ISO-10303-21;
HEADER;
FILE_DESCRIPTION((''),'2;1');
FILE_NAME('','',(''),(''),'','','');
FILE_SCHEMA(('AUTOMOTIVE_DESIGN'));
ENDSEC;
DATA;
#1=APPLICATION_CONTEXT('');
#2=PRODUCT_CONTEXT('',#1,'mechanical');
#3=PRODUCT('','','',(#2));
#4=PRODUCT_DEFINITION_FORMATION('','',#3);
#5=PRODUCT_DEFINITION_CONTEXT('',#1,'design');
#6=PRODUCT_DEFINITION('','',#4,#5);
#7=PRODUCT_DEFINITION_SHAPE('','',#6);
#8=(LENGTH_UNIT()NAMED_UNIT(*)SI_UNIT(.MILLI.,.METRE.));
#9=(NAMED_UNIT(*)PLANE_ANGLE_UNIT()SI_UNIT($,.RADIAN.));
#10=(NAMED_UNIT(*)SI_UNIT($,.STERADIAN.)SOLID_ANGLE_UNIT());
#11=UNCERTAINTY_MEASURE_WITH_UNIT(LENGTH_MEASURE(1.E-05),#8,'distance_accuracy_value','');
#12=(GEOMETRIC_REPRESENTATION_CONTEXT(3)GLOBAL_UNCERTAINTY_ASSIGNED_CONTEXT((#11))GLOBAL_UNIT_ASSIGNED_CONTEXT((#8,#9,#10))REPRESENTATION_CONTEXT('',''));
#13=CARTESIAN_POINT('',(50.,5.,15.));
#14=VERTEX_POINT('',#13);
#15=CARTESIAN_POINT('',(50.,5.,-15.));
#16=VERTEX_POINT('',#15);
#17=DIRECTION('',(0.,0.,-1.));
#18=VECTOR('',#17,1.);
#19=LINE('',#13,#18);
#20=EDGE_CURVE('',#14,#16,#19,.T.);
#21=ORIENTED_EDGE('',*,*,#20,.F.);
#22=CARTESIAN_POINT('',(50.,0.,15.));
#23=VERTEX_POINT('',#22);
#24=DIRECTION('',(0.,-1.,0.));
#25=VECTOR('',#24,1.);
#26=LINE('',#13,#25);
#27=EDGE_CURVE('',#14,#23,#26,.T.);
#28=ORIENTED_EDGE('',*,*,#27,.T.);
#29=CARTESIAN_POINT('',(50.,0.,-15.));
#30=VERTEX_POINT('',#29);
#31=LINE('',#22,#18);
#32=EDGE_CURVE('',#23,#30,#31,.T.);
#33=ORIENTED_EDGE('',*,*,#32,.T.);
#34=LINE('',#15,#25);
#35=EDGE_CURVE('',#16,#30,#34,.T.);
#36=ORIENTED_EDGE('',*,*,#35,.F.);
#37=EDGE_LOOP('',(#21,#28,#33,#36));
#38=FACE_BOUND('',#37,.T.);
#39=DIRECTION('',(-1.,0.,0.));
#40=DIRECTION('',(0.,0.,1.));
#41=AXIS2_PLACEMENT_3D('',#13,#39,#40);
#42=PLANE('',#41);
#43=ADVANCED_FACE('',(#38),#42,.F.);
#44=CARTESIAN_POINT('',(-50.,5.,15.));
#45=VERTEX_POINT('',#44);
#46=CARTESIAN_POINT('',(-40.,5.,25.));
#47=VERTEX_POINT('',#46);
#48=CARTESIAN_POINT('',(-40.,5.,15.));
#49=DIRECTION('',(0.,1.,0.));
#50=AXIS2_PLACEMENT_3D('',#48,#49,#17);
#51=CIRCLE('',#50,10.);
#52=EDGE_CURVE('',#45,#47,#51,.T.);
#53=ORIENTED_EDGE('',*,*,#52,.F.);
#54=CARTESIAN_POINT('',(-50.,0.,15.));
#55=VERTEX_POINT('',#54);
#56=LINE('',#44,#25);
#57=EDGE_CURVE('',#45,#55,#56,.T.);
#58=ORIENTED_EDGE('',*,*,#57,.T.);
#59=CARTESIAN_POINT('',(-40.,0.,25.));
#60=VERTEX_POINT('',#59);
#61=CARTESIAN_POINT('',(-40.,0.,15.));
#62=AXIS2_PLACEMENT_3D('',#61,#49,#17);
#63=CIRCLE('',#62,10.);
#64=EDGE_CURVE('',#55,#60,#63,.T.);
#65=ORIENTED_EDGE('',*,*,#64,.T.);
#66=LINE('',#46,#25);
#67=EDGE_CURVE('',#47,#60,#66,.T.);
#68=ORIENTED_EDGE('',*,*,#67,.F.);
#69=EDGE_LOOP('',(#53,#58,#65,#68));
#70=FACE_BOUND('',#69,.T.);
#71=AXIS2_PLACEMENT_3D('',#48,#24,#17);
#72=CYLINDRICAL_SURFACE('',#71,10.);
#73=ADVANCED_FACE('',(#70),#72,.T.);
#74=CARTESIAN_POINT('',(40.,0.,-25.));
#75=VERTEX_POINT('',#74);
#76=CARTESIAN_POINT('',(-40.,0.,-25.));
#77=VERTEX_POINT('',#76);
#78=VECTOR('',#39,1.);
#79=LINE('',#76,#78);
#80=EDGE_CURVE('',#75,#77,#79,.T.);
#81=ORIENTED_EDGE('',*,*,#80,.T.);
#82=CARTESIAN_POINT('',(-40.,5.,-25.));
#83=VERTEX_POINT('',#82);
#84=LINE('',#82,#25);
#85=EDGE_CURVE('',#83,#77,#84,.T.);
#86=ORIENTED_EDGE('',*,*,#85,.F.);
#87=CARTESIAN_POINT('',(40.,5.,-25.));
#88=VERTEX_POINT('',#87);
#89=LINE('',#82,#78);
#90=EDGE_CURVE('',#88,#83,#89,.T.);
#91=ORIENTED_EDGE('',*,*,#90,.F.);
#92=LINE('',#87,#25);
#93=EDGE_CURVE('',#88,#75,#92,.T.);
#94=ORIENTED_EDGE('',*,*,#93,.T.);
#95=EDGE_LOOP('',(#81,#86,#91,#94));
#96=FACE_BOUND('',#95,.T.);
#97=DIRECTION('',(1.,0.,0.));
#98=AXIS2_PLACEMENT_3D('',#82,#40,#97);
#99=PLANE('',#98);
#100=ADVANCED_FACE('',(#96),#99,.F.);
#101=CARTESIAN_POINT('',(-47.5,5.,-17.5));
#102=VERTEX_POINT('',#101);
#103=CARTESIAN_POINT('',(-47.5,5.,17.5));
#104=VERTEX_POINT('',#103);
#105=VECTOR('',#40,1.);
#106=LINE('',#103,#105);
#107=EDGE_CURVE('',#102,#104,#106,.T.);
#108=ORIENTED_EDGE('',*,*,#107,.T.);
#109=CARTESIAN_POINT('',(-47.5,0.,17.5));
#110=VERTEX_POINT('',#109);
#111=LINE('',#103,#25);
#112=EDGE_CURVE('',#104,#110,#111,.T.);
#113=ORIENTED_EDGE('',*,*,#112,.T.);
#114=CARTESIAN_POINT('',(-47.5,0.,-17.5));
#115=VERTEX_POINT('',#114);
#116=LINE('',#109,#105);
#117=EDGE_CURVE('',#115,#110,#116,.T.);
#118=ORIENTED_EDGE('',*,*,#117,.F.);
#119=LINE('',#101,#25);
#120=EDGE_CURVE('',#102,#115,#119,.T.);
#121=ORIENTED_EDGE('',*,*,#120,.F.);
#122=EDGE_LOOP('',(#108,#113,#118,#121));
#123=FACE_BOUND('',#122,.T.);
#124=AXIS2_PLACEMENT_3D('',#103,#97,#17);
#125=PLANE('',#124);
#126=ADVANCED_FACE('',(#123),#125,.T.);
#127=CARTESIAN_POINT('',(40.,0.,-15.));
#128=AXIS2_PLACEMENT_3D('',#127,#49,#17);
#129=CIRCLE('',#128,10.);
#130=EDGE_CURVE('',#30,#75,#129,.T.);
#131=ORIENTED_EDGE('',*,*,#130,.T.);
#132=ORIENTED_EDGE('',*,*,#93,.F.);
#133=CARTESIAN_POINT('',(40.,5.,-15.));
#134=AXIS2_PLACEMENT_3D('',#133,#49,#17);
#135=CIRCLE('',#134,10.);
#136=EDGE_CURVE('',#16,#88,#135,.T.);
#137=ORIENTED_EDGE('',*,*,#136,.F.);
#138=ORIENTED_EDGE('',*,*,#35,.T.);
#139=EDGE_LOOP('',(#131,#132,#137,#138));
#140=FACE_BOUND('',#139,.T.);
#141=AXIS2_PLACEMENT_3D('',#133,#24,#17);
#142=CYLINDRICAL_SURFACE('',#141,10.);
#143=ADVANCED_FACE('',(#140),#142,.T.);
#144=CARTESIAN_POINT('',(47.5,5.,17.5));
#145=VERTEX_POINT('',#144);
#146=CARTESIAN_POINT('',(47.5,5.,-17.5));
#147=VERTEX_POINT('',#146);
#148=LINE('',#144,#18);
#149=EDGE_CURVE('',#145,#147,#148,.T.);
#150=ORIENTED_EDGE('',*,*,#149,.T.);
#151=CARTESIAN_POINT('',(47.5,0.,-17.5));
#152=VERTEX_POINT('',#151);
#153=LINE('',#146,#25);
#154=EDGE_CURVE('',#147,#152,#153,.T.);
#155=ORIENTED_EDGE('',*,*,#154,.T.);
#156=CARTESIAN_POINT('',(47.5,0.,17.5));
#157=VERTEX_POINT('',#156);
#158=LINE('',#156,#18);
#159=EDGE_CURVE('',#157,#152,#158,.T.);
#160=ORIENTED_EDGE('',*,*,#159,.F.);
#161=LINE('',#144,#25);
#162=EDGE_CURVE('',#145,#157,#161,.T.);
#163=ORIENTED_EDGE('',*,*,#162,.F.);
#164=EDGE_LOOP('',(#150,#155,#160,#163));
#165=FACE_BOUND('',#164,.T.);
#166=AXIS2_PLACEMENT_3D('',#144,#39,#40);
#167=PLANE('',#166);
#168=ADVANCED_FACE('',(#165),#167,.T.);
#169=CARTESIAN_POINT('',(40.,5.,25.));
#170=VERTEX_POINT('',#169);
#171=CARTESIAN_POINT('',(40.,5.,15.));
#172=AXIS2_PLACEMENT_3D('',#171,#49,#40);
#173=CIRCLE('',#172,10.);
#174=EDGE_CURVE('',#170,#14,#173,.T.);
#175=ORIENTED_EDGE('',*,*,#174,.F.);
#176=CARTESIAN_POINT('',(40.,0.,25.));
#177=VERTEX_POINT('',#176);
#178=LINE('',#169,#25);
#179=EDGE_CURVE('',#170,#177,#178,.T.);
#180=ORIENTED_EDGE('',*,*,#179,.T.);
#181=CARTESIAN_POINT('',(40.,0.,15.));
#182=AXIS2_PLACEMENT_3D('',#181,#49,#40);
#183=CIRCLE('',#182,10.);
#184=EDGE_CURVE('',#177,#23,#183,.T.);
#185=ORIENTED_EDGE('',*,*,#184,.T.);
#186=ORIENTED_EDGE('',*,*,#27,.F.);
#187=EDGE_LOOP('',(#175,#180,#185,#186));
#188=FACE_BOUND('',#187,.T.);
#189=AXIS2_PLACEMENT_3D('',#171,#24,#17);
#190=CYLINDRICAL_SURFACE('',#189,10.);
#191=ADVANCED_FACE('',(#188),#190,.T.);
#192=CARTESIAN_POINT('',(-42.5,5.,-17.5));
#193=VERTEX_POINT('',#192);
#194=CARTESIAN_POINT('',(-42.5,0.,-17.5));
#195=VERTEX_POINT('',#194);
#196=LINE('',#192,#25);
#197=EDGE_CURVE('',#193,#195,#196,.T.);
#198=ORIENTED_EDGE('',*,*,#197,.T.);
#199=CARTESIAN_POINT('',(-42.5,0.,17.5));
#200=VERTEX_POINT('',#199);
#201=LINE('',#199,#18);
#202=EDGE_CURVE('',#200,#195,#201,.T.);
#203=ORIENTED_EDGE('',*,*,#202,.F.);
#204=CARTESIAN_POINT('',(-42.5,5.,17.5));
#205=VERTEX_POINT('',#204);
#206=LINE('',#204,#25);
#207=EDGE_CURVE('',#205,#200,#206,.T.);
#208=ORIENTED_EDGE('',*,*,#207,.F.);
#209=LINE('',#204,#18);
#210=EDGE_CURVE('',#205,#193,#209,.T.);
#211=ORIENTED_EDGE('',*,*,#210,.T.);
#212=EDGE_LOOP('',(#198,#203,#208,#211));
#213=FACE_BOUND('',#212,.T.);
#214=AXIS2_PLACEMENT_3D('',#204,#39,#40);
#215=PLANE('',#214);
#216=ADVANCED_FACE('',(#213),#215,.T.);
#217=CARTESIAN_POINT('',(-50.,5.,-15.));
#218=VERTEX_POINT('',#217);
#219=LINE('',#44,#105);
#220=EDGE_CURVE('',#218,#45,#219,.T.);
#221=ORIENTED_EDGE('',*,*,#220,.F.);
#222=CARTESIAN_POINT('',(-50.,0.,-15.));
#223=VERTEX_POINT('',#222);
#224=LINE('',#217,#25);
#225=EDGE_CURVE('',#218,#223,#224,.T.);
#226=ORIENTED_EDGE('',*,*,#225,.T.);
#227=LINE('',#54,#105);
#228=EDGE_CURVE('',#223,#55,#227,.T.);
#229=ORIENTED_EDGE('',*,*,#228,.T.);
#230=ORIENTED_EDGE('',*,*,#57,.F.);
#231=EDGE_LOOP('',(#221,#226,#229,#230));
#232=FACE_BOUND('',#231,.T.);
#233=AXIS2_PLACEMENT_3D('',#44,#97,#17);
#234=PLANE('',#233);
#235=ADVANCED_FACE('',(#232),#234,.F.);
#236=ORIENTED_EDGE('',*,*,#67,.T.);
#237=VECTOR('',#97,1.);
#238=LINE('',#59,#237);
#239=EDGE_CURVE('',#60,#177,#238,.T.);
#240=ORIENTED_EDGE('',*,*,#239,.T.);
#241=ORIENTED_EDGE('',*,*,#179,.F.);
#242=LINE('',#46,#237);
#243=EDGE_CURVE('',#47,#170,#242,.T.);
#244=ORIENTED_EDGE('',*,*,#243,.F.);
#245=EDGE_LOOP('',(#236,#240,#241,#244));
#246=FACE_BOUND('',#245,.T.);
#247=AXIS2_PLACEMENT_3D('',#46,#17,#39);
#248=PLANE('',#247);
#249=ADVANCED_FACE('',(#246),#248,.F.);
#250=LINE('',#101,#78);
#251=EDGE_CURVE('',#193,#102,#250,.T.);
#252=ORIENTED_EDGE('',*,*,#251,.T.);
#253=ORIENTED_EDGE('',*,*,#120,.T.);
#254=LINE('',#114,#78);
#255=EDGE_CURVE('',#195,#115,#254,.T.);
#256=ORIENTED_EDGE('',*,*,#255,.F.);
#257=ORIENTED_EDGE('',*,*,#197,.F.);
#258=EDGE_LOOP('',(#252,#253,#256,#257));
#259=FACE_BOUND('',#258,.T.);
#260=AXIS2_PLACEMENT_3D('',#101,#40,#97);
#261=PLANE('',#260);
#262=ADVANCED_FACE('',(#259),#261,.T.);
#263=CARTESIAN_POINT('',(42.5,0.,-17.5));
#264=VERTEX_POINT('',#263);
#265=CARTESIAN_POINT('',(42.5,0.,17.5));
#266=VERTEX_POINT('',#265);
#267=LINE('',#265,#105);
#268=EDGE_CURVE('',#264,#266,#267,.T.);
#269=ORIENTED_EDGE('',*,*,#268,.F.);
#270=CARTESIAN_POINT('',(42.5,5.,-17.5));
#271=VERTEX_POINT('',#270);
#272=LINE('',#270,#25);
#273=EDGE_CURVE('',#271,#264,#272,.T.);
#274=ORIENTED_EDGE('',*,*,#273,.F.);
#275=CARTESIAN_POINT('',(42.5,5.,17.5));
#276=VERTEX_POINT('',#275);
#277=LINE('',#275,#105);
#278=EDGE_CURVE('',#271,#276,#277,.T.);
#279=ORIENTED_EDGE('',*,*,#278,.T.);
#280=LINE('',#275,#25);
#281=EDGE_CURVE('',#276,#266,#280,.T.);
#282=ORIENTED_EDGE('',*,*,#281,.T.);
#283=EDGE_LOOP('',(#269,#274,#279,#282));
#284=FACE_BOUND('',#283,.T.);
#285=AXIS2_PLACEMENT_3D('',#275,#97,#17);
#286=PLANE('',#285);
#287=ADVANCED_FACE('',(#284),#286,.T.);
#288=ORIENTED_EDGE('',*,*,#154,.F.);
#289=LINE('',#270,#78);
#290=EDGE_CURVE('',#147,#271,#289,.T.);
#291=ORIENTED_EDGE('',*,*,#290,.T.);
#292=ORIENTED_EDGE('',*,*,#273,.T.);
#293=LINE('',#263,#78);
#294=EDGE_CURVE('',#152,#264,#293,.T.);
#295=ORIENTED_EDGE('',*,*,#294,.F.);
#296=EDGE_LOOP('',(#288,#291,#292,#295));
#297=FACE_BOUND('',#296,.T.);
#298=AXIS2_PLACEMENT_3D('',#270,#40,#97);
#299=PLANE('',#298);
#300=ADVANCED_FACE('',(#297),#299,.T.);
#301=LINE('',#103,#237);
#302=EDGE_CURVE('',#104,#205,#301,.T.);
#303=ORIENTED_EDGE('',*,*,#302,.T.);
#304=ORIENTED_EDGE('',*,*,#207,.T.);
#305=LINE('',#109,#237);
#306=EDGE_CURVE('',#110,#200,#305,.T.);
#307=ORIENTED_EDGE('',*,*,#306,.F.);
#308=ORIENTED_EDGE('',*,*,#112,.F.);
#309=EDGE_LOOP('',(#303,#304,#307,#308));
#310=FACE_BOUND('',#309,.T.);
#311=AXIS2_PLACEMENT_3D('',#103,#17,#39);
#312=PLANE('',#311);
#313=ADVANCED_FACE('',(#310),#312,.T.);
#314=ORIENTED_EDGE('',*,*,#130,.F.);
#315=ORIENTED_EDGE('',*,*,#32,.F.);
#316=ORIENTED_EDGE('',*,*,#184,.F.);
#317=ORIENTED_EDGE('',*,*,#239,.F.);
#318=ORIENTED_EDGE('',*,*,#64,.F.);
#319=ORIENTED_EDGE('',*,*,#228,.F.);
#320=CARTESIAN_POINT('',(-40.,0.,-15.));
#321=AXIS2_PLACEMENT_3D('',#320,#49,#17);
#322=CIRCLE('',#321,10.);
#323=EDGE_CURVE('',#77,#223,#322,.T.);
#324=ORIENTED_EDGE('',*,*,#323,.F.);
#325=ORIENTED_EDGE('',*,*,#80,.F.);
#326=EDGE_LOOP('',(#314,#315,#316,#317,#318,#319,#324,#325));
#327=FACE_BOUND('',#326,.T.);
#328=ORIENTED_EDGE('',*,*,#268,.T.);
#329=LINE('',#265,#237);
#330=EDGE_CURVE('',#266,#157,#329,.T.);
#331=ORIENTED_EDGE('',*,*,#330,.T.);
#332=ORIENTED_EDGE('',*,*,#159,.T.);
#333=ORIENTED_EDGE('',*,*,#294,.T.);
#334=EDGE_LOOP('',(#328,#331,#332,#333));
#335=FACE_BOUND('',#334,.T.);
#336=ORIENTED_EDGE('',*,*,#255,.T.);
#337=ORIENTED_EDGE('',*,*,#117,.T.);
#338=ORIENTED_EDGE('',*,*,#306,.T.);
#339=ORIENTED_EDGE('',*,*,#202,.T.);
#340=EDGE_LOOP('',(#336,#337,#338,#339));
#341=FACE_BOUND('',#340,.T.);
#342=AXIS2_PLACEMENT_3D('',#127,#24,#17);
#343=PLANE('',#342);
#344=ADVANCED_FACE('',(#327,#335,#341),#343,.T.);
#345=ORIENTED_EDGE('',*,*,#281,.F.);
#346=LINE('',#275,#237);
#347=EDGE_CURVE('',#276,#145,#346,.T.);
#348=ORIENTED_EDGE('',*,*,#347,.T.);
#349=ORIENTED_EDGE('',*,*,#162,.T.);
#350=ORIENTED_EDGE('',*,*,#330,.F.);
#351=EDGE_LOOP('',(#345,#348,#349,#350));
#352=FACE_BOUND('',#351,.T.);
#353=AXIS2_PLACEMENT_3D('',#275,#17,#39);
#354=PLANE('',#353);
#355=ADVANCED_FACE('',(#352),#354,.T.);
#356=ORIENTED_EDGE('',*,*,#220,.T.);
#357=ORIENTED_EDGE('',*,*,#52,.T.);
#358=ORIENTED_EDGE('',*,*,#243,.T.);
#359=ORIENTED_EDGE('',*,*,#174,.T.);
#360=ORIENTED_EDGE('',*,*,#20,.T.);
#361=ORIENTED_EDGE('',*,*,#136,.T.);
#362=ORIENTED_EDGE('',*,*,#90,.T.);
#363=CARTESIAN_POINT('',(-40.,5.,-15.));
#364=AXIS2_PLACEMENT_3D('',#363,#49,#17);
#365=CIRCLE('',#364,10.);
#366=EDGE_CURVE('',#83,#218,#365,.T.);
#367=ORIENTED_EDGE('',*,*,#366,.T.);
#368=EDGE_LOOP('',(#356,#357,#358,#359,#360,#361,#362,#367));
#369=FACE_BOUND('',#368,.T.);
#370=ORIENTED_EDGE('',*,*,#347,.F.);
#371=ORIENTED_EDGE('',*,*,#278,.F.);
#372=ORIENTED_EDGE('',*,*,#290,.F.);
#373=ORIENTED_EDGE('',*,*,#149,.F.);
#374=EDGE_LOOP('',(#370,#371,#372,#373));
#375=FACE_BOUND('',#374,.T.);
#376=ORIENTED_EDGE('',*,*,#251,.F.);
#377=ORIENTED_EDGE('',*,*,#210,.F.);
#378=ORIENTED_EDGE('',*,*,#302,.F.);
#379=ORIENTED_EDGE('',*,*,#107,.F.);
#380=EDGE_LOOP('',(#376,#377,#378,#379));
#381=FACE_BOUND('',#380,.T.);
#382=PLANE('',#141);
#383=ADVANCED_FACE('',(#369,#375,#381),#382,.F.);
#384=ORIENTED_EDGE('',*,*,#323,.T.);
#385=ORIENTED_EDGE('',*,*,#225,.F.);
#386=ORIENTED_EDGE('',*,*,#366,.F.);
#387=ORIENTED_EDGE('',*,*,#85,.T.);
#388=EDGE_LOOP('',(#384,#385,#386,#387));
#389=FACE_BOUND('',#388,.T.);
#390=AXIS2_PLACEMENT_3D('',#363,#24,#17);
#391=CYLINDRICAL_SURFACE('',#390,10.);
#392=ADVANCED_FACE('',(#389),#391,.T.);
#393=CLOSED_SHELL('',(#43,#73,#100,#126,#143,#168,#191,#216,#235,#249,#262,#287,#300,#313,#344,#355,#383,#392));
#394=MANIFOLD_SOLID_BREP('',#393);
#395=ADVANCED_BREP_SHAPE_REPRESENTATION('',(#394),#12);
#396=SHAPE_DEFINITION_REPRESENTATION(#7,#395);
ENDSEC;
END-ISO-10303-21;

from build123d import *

# Parameters (mm, degrees)
CROQUIS1_W              = 5
CROQUIS1_H              = 35
SALIENTE_EXTRUIR2_DEPTH = 5


with BuildPart() as part:
    # Croquis1 → Saliente-Extruir2 (new body)
    with BuildSketch(Plane(origin=(0, 0, 0), x_dir=(1, 0, 0), z_dir=(0, 1, 0))):
        with BuildLine():
            Line((-40, -25), (40, -25))
            ThreePointArc((40, -25), (47.071067812, -22.071067812), (50, -15))
            Line((50, -15), (50, 15))
            ThreePointArc((50, 15), (47.071067812, 22.071067812), (40, 25))
            Line((40, 25), (-40, 25))
            ThreePointArc((-40, 25), (-47.071067812, 22.071067812), (-50, 15))
            Line((-50, 15), (-50, -15))
            ThreePointArc((-50, -15), (-47.071067812, -22.071067812), (-40, -25))
        make_face()
        with Locations((-45, 0)):
            Rectangle(CROQUIS1_W, CROQUIS1_H, mode=Mode.SUBTRACT)
        with Locations((45, 0)):
            Rectangle(CROQUIS1_W, CROQUIS1_H, mode=Mode.SUBTRACT)
    extrude(amount=SALIENTE_EXTRUIR2_DEPTH)


solid = part.part
